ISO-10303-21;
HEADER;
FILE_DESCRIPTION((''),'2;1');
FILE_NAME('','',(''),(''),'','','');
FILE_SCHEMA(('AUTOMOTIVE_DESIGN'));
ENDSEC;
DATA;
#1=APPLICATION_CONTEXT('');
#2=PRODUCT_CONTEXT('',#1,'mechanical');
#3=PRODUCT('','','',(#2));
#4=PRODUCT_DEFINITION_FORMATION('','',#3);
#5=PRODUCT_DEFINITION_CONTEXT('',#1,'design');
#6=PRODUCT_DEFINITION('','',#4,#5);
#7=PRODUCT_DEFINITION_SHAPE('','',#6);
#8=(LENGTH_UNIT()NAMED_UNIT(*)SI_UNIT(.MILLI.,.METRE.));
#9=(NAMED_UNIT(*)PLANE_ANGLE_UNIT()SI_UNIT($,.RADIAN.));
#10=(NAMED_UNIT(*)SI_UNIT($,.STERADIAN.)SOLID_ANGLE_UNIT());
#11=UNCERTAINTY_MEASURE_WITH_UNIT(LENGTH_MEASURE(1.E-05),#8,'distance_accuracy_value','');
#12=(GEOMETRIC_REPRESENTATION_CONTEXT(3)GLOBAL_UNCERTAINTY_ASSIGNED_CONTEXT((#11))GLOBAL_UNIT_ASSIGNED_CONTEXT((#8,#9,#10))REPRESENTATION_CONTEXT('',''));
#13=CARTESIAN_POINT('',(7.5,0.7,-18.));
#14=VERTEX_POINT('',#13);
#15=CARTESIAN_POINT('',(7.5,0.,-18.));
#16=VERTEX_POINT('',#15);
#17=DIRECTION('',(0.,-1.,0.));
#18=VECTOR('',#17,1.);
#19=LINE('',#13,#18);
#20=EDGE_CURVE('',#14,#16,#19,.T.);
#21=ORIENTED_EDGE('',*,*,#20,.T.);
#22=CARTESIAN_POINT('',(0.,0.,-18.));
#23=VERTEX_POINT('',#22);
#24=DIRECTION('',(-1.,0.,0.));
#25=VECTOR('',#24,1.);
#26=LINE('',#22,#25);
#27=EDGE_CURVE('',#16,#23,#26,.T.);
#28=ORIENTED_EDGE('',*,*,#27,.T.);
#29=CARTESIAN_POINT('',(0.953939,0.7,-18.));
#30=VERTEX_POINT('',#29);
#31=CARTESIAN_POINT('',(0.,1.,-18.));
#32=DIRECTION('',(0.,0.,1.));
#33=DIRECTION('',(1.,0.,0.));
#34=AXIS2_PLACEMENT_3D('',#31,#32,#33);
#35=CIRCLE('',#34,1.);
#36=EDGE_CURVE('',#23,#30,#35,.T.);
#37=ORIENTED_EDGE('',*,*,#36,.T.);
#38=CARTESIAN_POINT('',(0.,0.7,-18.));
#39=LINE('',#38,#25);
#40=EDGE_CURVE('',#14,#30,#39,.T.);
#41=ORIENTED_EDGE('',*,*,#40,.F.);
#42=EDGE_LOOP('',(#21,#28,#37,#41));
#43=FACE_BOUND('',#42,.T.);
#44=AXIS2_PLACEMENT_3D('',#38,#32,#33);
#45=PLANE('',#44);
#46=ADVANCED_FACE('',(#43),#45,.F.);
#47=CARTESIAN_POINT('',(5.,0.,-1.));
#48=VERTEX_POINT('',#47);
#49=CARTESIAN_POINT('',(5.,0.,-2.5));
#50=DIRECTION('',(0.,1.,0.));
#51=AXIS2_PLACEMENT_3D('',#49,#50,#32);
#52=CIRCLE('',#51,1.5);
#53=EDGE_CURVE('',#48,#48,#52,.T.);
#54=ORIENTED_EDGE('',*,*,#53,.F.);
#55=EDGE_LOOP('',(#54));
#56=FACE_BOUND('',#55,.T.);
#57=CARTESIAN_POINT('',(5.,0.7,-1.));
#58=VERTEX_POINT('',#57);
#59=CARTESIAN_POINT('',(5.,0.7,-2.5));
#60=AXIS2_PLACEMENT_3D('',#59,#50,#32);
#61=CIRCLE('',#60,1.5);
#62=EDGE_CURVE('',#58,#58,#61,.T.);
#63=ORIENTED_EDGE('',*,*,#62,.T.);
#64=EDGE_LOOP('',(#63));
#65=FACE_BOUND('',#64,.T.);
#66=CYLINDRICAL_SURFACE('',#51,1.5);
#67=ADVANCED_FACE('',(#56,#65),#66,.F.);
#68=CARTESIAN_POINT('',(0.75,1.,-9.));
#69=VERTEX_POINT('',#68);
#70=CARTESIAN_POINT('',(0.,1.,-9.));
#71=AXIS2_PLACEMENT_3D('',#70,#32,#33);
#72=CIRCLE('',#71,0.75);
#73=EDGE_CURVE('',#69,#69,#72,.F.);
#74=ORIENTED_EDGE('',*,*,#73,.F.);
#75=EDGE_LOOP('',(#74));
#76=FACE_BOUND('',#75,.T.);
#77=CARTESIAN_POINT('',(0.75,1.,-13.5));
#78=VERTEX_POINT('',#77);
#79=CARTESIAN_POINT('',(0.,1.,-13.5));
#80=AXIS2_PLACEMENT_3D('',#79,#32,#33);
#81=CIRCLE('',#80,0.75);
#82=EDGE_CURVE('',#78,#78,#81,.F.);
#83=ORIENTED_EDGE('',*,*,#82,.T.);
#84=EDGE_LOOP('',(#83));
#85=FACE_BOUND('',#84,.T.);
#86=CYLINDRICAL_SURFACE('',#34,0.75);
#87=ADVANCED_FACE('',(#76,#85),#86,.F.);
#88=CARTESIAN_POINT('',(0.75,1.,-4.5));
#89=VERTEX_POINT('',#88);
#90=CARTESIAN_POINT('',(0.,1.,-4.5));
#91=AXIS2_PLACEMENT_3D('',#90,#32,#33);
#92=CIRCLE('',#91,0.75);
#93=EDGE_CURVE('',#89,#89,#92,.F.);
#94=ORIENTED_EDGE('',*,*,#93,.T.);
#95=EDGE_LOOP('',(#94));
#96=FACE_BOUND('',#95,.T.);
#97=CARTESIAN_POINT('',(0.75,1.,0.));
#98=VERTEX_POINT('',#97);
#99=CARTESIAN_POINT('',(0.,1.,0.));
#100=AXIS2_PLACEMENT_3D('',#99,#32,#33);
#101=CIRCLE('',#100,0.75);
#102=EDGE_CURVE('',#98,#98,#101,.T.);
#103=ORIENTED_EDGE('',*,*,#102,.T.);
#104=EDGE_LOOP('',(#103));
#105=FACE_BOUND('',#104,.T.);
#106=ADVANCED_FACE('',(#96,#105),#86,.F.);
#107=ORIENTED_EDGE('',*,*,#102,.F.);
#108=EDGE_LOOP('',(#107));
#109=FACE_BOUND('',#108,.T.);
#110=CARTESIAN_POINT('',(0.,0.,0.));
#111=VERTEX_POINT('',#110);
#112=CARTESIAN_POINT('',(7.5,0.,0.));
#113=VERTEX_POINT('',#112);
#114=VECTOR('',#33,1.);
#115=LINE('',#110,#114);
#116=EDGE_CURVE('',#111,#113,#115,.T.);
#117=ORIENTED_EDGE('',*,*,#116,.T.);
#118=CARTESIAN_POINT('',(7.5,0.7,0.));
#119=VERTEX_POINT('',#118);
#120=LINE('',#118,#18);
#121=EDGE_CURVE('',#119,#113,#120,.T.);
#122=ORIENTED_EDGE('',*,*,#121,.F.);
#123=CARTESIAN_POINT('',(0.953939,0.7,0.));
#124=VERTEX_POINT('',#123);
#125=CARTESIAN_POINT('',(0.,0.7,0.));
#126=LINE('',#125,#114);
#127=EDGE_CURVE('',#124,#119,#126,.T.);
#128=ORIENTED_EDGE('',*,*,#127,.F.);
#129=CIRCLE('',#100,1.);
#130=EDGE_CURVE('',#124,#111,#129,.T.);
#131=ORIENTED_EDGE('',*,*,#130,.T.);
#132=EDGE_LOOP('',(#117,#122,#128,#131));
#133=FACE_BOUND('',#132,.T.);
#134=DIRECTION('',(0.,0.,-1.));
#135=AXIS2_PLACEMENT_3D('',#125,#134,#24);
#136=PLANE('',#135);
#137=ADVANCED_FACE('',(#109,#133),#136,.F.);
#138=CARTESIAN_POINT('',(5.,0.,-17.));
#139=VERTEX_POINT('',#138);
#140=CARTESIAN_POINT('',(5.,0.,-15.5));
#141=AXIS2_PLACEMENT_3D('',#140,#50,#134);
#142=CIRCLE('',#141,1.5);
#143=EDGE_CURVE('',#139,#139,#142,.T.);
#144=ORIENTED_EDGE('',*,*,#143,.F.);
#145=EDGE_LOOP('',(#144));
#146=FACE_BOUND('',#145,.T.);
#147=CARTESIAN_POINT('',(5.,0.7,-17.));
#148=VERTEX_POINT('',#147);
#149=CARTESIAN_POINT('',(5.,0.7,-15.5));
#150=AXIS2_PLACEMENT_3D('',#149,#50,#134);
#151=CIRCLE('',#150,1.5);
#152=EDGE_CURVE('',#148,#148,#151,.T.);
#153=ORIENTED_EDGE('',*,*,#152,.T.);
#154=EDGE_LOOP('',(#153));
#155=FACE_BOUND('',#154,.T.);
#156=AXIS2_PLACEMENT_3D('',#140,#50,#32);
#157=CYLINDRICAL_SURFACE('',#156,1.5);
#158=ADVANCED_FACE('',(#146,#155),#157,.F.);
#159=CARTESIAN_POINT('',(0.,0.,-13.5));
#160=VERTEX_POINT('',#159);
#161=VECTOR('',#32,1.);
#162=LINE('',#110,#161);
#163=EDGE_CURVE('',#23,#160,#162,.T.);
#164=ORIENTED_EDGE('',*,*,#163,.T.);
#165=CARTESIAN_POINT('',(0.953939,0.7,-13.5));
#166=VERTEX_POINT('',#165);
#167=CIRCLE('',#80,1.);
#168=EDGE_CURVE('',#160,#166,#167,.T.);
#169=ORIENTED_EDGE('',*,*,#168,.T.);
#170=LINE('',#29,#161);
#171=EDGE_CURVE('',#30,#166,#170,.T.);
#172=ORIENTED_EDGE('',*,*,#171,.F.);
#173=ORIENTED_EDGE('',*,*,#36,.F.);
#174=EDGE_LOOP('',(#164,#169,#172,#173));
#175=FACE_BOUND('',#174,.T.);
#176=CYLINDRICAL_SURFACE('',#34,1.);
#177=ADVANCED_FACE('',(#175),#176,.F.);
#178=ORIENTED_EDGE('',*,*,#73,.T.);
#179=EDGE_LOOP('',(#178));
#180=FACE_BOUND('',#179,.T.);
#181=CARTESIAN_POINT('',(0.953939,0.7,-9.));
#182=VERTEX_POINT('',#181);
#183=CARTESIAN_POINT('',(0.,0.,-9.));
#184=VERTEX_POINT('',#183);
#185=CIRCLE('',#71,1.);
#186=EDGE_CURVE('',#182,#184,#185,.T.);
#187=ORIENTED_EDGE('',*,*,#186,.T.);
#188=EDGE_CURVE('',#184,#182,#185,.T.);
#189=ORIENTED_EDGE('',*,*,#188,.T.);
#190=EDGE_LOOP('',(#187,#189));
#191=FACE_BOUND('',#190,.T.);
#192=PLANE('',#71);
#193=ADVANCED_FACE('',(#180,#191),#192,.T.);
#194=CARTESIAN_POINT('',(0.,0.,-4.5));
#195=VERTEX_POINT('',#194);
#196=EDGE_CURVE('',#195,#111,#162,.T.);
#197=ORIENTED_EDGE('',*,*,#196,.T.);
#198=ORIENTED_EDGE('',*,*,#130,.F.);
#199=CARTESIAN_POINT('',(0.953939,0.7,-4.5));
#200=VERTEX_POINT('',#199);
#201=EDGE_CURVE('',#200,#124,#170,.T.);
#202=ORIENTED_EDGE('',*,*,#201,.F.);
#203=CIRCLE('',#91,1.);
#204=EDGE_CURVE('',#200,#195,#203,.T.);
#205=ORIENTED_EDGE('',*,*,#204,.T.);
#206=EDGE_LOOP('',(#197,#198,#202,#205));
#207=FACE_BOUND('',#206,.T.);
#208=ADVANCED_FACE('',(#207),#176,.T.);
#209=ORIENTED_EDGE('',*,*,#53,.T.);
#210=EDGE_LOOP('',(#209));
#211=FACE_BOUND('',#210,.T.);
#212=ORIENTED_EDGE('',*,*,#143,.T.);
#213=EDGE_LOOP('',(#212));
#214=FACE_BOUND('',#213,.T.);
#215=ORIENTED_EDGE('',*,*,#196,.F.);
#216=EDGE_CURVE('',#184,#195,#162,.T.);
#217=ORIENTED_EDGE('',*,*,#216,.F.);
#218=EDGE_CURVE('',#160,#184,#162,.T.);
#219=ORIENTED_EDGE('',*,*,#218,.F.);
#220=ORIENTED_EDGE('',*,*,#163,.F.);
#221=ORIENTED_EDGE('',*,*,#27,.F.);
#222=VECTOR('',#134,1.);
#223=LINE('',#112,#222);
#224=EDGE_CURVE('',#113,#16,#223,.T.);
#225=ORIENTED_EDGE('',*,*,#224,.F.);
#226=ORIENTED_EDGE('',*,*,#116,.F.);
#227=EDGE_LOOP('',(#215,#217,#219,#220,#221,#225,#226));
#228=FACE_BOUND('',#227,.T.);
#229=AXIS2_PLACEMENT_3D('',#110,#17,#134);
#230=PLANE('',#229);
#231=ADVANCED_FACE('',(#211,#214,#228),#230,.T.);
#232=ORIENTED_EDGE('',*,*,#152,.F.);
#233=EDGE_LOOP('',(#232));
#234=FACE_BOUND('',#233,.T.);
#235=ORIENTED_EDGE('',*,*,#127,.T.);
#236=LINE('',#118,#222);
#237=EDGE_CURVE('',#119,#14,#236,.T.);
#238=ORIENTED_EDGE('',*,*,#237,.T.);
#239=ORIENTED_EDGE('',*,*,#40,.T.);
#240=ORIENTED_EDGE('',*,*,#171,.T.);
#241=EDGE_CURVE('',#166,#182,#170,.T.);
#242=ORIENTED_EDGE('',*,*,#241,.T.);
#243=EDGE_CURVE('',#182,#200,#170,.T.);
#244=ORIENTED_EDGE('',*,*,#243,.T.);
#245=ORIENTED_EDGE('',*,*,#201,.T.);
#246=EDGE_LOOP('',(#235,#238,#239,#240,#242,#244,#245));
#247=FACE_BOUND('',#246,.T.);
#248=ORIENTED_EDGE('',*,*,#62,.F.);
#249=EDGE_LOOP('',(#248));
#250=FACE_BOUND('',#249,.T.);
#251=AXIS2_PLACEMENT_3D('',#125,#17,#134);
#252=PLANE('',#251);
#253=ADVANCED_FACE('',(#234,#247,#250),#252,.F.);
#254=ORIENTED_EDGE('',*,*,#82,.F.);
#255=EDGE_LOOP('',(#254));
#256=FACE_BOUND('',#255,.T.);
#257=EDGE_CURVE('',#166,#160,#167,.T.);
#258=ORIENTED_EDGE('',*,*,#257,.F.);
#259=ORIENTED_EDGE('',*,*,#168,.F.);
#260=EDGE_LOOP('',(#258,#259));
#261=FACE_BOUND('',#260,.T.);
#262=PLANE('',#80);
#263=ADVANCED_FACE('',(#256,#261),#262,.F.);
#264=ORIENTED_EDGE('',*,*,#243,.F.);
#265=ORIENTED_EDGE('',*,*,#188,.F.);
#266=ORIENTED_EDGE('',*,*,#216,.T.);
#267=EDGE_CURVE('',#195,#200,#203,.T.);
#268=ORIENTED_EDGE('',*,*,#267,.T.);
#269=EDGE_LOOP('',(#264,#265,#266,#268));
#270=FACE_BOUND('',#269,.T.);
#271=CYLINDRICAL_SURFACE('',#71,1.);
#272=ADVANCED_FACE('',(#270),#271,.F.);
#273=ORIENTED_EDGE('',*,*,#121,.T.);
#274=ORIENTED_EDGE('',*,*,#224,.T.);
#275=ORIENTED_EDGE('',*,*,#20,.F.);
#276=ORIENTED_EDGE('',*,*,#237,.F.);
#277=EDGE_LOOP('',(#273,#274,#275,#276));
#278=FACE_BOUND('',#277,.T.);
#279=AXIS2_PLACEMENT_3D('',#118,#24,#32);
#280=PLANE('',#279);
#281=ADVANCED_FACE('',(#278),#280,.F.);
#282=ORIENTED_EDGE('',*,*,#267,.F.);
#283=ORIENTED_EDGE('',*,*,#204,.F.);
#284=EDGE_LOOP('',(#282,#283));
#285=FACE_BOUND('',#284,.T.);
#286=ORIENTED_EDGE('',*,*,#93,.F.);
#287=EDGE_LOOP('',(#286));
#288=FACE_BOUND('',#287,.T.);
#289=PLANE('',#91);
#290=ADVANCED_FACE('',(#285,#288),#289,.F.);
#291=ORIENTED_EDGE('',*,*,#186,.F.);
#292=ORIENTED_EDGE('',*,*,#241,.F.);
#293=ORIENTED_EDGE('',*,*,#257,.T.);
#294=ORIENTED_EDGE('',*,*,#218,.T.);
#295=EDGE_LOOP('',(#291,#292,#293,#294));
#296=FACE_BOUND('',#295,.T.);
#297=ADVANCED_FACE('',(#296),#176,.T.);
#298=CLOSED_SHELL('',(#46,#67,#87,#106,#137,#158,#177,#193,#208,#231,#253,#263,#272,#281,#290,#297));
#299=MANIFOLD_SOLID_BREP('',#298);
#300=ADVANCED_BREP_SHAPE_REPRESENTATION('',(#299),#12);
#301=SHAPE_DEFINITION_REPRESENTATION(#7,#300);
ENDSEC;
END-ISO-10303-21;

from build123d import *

# Parameters (mm, degrees)
SKETCH1_W           = 7.5
SKETCH1_H           = 18
BOSS_EXTRUDE1_DEPTH = 0.7
SKETCH2_R           = 1
BOSS_EXTRUDE2_DEPTH = 18
SKETCH4_R           = 0.75
CUT_EXTRUDE1_DEPTH  = 20.602295784
CUT_EXTRUDE2_START  = -4.5
SKETCH5_R           = 1
CUT_EXTRUDE2_DEPTH  = 4.5
LPATTERN1_COUNT     = 2
LPATTERN1_PITCH     = 9
SKETCH6_R           = 1.5
CUT_EXTRUDE3_DEPTH  = 20.543285292


with BuildPart() as part:
    # Sketch1 → Boss-Extrude1 (new body)
    with BuildSketch(Plane(origin=(0, 0, 0), x_dir=(1, 0, 0), z_dir=(0, 1, 0))):
        with Locations((3.75, 9)):
            Rectangle(SKETCH1_W, SKETCH1_H)
    extrude(amount=BOSS_EXTRUDE1_DEPTH)

    # Sketch2 → Boss-Extrude2 (add, through all)
    with BuildSketch(Plane.XY):
        with Locations((0, 1)):
            Circle(SKETCH2_R)
    extrude(amount=-BOSS_EXTRUDE2_DEPTH)

    # Sketch4 → Cut-Extrude1 (cut, through all)
    with BuildSketch(Plane.XY):
        with Locations((0, 1)):
            Circle(SKETCH4_R)
    extrude(amount=-CUT_EXTRUDE1_DEPTH, mode=Mode.SUBTRACT)

    # Sketch5 → Cut-Extrude2 (cut)
    with BuildSketch(Plane.XY.offset(CUT_EXTRUDE2_START)):
        with Locations((0, 1)):
            Circle(SKETCH5_R)
    cut_extrude2 = extrude(amount=-CUT_EXTRUDE2_DEPTH, mode=Mode.SUBTRACT)

    # LPattern1: Cut-Extrude2 ×2
    with Locations(*[(0, 0, -i * LPATTERN1_PITCH) for i in range(1, LPATTERN1_COUNT)]):
        add(cut_extrude2, mode=Mode.SUBTRACT)

    # Sketch6 → Cut-Extrude3 (cut, through all)
    with BuildSketch(Plane(origin=(0, 0.7, 0), x_dir=(1, 0, 0), z_dir=(0, 1, 0))):
        with Locations(Location((5, 2.5, 0), (0, 0, 270))):
            Circle(SKETCH6_R)
        with Locations(Location((5, 15.5, 0), (0, 0, 90))):
            Circle(SKETCH6_R)
    extrude(amount=-CUT_EXTRUDE3_DEPTH, mode=Mode.SUBTRACT)


solid = part.part
